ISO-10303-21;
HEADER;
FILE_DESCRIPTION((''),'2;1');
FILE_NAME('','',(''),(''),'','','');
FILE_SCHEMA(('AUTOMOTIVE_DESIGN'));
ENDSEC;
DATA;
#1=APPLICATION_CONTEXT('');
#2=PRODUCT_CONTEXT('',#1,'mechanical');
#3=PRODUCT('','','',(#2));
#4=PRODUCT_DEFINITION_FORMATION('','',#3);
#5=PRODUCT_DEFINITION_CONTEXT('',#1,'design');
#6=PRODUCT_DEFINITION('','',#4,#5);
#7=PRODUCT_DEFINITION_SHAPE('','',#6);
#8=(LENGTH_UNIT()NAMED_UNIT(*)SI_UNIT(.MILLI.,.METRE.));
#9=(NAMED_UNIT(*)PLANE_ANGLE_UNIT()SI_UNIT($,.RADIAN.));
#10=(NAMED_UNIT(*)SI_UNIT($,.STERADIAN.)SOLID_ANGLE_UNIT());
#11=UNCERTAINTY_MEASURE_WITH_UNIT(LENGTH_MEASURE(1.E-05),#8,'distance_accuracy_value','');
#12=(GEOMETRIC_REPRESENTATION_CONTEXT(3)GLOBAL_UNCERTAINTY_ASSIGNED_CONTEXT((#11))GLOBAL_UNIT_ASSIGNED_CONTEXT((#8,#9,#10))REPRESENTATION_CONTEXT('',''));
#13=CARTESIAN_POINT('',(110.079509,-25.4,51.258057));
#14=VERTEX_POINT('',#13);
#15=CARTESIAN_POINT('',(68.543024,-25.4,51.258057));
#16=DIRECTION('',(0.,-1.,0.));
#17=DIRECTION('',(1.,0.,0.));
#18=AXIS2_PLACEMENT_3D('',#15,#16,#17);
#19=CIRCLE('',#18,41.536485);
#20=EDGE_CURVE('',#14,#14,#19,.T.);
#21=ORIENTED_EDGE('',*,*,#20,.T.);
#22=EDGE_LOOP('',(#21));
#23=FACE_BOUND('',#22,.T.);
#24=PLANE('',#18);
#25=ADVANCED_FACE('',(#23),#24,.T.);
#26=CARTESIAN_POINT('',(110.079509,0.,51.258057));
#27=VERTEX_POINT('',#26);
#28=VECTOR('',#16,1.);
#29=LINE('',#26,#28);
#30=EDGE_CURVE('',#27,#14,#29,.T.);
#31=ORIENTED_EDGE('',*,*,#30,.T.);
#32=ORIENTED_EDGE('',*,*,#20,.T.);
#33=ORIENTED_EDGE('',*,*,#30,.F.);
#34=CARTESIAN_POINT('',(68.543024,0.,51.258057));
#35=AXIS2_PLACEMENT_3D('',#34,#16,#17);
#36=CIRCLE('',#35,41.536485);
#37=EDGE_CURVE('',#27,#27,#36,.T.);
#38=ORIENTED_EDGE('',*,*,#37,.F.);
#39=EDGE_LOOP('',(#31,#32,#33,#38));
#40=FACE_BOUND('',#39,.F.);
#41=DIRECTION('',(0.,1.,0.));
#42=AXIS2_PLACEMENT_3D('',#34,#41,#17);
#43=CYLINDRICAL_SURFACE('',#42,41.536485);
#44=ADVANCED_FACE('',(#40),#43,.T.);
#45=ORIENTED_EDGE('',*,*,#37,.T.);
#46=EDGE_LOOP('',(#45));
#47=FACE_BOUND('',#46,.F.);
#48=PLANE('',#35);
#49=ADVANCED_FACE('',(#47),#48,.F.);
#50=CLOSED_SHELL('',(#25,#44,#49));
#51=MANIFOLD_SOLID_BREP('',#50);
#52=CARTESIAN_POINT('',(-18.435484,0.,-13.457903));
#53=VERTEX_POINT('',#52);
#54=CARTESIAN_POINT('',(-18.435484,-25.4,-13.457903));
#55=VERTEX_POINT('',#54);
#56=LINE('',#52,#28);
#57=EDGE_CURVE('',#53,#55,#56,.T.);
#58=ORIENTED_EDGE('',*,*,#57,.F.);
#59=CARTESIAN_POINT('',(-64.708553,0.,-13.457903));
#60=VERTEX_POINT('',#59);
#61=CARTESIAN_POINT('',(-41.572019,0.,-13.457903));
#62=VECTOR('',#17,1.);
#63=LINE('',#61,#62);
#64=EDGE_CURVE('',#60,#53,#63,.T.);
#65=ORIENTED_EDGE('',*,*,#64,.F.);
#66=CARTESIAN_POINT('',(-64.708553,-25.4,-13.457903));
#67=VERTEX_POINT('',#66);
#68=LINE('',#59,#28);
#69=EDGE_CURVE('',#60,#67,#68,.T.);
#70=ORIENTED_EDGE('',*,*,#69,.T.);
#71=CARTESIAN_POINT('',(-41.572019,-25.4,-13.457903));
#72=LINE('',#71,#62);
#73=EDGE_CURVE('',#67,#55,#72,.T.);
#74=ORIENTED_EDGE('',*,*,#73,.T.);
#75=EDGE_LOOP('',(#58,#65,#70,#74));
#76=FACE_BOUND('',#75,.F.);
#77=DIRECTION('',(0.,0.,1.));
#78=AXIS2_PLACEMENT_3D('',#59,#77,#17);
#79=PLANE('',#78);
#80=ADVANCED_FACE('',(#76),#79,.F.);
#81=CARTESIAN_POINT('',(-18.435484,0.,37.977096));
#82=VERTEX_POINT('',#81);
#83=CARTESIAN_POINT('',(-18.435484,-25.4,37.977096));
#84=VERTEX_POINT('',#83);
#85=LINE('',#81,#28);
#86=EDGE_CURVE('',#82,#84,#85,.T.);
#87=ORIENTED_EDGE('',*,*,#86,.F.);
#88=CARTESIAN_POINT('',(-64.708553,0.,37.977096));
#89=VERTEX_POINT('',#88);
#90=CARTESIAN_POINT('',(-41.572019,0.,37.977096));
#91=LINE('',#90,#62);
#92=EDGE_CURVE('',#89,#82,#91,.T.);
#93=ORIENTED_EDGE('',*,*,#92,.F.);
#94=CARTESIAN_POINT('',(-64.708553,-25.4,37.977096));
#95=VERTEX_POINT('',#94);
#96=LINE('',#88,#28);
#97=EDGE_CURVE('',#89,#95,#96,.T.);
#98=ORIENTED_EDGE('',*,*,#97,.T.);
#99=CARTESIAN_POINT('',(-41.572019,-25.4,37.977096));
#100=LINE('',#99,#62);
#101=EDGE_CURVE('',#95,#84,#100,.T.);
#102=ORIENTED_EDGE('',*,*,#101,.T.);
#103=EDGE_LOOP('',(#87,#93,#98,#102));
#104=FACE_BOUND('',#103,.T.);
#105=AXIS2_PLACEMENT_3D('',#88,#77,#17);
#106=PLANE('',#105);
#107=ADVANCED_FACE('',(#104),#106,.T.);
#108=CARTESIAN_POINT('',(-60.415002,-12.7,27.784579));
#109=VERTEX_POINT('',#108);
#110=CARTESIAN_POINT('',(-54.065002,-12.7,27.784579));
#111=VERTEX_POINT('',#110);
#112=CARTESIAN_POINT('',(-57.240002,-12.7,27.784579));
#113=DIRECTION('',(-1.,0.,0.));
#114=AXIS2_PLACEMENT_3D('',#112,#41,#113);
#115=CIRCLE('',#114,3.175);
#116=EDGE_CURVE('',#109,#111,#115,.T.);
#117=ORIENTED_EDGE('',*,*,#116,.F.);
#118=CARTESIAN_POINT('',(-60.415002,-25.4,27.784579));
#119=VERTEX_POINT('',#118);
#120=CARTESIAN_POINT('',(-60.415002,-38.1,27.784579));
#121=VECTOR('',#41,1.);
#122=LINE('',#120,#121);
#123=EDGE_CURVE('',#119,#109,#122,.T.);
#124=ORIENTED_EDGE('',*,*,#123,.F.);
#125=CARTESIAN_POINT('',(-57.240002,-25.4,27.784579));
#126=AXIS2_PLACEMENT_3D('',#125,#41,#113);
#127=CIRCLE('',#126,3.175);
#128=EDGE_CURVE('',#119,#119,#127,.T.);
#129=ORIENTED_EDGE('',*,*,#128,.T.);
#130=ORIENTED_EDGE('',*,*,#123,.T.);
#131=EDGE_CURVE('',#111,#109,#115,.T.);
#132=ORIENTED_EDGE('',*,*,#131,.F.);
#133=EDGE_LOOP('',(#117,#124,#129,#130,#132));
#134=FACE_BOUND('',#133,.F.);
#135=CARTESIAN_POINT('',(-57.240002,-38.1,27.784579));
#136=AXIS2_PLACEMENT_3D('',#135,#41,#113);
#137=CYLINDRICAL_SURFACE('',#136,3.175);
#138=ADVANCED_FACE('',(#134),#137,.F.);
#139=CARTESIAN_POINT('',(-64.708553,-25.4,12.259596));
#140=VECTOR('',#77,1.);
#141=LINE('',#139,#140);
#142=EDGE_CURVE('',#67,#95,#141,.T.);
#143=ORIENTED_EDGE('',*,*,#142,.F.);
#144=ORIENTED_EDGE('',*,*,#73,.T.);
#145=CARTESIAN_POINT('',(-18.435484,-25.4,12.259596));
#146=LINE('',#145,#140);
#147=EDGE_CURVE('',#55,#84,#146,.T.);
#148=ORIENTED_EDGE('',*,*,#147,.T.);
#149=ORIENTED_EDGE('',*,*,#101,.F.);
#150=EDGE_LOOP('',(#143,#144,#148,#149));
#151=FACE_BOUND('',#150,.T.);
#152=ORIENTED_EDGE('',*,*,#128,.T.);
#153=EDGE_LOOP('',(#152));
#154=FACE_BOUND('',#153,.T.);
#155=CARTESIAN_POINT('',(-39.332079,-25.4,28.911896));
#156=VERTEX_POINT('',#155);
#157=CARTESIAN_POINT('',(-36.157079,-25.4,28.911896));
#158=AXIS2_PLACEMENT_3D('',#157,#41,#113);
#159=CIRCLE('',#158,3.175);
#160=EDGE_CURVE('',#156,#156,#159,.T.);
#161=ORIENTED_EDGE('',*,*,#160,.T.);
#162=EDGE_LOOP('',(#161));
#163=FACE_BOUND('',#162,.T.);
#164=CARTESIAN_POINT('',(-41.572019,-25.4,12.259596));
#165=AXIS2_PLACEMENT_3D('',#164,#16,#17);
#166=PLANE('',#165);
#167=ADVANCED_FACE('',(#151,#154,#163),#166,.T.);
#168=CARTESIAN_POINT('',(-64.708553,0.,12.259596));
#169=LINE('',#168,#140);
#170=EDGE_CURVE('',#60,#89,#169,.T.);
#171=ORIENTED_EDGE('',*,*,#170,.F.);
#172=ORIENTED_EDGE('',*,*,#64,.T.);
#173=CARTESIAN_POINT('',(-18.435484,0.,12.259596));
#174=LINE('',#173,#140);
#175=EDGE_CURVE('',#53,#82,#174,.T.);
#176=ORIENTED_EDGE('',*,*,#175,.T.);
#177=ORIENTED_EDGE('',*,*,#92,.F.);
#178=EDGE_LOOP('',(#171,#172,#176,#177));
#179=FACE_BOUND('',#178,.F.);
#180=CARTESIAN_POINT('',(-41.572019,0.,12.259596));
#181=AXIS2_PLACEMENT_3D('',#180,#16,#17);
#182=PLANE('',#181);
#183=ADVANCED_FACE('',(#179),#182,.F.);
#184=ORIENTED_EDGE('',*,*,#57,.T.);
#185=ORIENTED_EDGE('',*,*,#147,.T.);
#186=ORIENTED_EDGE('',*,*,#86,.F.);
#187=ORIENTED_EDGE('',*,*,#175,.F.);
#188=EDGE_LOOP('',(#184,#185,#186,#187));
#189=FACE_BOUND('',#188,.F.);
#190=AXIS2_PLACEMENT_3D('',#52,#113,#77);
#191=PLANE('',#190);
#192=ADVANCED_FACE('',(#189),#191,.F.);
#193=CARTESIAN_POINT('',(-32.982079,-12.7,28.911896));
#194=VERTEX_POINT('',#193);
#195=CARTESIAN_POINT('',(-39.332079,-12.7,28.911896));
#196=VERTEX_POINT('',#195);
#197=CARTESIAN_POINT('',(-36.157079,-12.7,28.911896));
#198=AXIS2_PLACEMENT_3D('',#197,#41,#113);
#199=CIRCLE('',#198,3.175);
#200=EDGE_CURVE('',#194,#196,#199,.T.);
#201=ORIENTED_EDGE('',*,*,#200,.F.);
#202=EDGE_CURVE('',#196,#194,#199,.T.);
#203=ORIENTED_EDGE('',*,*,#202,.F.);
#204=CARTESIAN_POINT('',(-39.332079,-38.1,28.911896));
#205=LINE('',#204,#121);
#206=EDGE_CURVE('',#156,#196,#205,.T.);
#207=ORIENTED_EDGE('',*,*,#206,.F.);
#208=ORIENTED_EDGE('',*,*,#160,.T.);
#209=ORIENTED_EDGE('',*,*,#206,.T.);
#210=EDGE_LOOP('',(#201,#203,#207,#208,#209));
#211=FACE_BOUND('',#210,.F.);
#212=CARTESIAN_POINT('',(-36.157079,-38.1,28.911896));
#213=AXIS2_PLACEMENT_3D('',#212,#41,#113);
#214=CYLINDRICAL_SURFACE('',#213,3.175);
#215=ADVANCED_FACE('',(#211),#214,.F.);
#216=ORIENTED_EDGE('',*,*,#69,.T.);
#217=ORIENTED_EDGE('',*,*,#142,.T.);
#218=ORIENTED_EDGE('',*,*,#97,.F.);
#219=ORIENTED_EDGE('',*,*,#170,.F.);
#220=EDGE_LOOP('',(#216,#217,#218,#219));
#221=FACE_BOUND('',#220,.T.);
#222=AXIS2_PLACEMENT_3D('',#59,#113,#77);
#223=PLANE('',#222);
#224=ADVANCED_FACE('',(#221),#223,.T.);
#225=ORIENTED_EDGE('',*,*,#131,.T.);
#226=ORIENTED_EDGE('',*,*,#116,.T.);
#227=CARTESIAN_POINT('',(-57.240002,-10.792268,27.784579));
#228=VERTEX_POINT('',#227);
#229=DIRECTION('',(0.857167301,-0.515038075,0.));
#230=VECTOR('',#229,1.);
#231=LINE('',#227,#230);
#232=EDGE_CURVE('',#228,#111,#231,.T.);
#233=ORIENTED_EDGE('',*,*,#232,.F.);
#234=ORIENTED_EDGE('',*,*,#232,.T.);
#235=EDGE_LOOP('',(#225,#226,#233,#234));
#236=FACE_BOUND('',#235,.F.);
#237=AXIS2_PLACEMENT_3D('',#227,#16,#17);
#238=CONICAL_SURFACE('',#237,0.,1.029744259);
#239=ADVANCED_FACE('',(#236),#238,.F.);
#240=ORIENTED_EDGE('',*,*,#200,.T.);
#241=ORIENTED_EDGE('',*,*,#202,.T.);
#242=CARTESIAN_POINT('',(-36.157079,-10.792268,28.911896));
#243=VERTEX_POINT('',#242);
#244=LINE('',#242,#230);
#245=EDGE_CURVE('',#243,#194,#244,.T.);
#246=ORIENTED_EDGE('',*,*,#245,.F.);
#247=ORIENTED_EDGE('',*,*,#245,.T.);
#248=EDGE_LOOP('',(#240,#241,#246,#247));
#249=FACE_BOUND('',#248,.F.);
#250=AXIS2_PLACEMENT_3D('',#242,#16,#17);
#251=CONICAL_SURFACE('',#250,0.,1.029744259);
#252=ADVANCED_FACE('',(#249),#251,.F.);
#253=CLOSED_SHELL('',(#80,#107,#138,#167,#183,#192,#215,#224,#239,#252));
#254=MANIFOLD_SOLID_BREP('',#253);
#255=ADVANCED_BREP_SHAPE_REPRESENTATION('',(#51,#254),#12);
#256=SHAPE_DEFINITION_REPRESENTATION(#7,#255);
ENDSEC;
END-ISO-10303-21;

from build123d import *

# Parameters (mm, degrees)
F0_W     = 46.2730694562
F0_H     = 51.4349984005
F1_DEPTH = 25.4
F3_D     = 6.35
F3_DEPTH = 12.7
F3_TIP   = 1.9077324654
F4_R     = 41.5364849157
F5_DEPTH = 25.4


with BuildPart() as f1:
    # F0 (on Front) → F1 (new body)
    with BuildSketch(Plane.XZ):
        with Locations((-41.5720185265, 12.2595964931)):
            Rectangle(F0_W, F0_H)
    extrude(amount=F1_DEPTH)

    # F3
    with Locations(Plane.XZ.offset(25.4)):
        with Locations((-57.2400018573, 27.7845785022), (-36.157079041, 28.91189605)):
            Hole(F3_D / 2, depth=F3_DEPTH)
            with Locations((0, 0, -(F3_DEPTH + F3_TIP / 2))):  # 118° drill point
                Cone(0, F3_D / 2, F3_TIP, mode=Mode.SUBTRACT)


with BuildPart() as f5:
    # F4 (on Front) → F5 (new body)
    with BuildSketch(Plane.XZ):
        with Locations((68.5430243611, 51.2580573559)):
            Circle(F4_R)
    extrude(amount=F5_DEPTH)


solid = Compound([f1.part, f5.part])
